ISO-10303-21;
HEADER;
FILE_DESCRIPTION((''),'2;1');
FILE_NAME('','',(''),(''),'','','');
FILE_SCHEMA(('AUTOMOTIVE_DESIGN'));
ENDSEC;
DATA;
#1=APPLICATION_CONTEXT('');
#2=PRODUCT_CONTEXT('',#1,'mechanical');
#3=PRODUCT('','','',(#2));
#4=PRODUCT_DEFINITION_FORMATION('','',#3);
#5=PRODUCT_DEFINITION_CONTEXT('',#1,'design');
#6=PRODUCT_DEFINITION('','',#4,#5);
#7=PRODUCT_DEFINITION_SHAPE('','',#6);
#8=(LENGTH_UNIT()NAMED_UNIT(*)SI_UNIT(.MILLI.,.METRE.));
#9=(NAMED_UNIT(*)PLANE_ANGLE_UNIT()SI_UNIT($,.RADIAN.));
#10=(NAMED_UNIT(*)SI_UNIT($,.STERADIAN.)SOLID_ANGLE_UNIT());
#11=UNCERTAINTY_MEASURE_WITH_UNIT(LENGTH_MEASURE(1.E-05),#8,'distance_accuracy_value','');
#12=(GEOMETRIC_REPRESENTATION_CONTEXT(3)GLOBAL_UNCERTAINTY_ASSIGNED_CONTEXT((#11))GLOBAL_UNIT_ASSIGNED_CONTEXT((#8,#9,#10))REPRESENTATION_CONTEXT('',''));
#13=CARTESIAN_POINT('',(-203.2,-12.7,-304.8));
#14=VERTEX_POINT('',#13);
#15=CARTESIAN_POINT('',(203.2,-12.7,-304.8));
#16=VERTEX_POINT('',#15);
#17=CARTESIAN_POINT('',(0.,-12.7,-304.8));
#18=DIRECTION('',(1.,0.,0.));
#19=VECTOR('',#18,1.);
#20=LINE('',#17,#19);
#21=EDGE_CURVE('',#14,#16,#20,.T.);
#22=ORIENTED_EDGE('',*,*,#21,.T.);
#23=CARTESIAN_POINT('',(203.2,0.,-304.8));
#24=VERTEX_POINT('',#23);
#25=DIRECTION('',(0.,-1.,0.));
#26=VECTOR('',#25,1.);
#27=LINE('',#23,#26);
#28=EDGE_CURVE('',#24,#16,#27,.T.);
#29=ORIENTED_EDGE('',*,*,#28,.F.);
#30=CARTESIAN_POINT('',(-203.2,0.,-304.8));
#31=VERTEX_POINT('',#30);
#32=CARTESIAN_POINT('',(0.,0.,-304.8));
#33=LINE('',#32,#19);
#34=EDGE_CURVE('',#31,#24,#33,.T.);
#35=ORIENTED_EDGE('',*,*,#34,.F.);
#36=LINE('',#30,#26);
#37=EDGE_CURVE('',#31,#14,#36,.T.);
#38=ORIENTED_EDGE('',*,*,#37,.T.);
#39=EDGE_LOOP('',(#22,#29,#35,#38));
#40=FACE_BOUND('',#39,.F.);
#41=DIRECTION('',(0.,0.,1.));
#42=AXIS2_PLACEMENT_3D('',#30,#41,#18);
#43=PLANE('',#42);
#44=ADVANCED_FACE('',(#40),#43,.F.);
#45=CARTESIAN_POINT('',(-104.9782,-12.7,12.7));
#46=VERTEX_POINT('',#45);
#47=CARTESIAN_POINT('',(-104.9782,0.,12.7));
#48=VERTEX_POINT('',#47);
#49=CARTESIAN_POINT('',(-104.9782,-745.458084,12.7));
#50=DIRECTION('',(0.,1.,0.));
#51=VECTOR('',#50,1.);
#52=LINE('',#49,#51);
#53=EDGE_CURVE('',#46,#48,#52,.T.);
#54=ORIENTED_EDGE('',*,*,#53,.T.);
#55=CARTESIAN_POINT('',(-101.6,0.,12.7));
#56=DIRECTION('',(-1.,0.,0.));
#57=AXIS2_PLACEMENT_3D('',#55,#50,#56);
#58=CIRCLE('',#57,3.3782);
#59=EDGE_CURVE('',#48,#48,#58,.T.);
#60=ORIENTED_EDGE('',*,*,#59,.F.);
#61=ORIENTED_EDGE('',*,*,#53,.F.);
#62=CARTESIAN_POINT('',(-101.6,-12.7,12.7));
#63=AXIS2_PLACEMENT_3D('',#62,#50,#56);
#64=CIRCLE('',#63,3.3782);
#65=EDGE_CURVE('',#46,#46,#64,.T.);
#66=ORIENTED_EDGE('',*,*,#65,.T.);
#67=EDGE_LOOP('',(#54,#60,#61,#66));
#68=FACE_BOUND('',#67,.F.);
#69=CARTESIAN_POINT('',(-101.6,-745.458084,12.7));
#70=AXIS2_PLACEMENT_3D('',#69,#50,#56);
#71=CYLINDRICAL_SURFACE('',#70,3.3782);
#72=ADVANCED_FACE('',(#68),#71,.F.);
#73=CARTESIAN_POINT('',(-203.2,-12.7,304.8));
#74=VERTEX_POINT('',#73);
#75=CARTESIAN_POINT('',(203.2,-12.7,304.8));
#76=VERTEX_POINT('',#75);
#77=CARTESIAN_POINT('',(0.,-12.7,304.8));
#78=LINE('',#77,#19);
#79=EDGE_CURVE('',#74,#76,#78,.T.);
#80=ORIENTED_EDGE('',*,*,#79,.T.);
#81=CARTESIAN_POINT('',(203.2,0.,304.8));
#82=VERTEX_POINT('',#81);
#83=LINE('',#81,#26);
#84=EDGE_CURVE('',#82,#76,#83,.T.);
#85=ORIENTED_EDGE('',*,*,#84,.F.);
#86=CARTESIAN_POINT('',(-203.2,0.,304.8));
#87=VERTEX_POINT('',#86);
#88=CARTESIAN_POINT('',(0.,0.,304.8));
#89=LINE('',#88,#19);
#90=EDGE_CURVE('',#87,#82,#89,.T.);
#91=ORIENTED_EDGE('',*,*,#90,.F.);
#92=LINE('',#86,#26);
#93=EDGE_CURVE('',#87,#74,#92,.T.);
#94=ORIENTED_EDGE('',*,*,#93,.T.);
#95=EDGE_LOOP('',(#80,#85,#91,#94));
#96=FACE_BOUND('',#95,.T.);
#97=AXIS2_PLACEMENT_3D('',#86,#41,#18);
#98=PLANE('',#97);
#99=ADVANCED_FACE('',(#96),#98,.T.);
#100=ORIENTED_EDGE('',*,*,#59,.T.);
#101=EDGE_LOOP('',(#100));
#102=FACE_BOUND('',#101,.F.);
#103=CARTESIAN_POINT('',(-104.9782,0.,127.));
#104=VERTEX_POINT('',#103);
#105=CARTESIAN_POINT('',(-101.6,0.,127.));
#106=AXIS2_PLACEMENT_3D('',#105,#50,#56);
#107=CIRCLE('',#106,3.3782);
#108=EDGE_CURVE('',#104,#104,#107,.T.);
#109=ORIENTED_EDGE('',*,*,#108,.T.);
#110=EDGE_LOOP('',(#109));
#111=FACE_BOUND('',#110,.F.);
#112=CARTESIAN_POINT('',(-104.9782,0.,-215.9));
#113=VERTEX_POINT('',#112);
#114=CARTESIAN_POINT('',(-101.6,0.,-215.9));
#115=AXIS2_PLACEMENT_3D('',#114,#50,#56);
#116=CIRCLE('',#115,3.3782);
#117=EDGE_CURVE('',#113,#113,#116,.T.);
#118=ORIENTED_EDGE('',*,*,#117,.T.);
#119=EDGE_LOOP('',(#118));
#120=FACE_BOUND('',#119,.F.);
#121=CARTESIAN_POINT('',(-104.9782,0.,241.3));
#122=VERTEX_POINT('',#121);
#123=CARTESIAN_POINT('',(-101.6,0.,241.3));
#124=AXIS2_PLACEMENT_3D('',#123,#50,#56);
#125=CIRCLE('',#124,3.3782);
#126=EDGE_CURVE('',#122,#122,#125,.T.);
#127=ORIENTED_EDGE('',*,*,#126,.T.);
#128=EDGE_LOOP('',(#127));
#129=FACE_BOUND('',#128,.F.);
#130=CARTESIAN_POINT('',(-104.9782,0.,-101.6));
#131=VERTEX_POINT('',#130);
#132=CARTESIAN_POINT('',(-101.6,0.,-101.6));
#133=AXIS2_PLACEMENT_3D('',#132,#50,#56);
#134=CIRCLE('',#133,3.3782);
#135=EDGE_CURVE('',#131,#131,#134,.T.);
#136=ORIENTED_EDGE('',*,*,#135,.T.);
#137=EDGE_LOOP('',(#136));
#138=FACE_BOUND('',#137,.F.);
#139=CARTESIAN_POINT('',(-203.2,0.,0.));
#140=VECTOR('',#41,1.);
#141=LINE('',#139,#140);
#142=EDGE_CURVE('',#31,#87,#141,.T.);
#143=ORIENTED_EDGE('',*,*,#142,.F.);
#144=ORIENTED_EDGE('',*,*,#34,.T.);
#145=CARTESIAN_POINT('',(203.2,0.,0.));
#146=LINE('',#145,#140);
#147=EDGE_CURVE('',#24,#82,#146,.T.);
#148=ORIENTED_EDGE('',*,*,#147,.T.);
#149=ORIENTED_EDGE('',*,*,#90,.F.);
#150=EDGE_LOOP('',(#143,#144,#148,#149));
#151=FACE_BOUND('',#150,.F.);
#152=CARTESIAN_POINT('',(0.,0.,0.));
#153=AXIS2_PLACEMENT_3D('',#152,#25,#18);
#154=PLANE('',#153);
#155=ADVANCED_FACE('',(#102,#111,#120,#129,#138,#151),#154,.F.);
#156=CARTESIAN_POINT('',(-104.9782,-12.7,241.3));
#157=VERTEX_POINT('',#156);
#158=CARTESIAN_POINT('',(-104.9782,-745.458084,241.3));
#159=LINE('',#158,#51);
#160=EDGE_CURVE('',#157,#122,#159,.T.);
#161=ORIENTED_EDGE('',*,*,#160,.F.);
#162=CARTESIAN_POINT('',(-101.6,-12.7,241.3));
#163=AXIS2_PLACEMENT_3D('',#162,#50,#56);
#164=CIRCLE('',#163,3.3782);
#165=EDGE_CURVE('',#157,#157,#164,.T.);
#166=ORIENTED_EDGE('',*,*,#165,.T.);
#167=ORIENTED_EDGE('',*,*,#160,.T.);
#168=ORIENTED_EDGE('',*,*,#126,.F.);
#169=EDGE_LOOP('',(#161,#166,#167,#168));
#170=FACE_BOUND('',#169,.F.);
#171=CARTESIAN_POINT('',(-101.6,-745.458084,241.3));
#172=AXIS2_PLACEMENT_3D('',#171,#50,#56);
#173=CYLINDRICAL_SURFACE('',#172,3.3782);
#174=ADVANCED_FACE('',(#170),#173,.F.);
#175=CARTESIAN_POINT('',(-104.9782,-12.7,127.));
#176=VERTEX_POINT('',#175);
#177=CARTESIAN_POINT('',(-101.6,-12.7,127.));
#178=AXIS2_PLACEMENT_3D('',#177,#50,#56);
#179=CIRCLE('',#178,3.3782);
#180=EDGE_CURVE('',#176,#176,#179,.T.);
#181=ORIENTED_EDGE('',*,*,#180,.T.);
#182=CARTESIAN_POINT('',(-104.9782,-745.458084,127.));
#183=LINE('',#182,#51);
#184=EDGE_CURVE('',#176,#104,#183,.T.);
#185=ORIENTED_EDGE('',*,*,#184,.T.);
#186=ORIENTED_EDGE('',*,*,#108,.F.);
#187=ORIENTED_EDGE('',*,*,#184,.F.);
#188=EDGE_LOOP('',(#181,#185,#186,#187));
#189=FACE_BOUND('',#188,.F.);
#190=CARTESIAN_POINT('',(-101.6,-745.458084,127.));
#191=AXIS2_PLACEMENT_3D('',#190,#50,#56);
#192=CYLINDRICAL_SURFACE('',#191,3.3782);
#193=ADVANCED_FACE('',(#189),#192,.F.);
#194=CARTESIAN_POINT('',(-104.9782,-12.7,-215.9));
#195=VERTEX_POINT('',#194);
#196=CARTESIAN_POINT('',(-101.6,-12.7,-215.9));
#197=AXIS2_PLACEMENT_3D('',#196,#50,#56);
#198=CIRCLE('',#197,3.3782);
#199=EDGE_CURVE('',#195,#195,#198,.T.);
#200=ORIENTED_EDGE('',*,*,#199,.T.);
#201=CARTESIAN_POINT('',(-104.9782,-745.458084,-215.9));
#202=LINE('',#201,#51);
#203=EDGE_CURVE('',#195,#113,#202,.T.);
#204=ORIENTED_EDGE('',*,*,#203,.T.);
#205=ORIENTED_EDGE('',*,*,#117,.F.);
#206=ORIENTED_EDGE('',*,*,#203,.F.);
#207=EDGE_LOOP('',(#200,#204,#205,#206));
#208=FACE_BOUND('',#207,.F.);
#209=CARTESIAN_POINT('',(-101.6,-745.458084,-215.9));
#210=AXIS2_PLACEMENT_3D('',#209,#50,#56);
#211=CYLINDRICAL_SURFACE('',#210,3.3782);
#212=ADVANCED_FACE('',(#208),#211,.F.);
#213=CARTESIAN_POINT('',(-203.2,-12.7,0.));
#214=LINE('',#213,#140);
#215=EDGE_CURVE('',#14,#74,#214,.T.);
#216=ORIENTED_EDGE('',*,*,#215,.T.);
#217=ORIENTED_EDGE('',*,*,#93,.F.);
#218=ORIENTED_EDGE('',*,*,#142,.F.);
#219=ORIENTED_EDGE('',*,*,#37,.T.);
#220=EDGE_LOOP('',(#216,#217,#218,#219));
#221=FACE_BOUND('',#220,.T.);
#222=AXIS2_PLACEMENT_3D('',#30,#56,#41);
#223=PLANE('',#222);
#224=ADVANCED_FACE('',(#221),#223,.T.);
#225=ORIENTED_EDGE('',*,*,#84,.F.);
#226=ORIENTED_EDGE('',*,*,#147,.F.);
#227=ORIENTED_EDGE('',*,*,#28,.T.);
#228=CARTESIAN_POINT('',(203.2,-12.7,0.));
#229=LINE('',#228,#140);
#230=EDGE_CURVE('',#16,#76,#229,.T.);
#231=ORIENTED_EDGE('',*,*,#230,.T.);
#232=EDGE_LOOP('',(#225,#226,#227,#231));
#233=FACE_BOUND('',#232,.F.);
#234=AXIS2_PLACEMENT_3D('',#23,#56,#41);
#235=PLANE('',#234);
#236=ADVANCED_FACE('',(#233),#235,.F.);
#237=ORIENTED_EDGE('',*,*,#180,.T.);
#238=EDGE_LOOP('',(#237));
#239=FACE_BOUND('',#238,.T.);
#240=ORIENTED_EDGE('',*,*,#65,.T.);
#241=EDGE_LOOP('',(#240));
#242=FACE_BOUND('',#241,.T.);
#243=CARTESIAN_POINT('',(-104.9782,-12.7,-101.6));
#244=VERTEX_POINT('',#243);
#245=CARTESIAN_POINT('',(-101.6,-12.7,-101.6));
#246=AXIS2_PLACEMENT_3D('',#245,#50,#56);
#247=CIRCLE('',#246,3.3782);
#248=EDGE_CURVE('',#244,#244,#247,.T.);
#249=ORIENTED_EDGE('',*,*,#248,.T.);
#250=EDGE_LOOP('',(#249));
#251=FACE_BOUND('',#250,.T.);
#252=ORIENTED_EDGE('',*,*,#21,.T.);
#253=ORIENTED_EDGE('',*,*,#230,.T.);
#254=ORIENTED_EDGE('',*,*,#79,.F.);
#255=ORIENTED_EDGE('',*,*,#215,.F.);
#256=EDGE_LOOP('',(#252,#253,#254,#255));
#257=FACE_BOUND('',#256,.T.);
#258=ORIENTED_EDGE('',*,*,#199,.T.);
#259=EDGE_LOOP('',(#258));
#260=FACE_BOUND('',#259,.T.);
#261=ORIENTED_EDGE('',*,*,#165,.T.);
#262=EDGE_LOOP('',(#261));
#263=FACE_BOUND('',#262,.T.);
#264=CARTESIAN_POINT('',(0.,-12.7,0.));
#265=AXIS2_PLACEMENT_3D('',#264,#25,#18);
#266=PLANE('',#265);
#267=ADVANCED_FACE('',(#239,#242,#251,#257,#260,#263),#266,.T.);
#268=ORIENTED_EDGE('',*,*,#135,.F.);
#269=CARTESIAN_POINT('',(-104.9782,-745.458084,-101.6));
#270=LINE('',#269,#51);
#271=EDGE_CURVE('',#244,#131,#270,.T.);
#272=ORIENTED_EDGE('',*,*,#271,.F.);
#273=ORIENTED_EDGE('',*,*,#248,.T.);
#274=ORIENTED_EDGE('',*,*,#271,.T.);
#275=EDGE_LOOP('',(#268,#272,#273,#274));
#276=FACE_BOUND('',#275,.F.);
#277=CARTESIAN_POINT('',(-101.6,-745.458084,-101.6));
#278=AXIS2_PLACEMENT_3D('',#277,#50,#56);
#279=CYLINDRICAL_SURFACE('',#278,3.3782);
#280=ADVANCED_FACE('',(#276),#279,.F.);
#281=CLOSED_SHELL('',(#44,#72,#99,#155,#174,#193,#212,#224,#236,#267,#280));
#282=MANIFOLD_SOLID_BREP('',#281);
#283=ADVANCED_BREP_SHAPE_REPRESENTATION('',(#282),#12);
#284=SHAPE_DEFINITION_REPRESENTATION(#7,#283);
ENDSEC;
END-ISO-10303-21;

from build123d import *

# Parameters (mm, degrees)
F0_W     = 406.4
F0_H     = 609.6
F1_DEPTH = 12.7
F3_D     = 6.7564


with BuildPart() as f1:
    # F0 (on Front) → F1 (new body)
    with BuildSketch(Plane.XZ):
        Rectangle(F0_W, F0_H)
    extrude(amount=F1_DEPTH)

    # F3 (through all)
    with Locations(Plane.XZ.offset(12.7)):
        with Locations((-101.6, 241.3), (-101.6, 127), (-101.6, 12.7), (-101.6, -101.6), (-101.6, -215.9)):
            Hole(F3_D / 2)


solid = f1.part
